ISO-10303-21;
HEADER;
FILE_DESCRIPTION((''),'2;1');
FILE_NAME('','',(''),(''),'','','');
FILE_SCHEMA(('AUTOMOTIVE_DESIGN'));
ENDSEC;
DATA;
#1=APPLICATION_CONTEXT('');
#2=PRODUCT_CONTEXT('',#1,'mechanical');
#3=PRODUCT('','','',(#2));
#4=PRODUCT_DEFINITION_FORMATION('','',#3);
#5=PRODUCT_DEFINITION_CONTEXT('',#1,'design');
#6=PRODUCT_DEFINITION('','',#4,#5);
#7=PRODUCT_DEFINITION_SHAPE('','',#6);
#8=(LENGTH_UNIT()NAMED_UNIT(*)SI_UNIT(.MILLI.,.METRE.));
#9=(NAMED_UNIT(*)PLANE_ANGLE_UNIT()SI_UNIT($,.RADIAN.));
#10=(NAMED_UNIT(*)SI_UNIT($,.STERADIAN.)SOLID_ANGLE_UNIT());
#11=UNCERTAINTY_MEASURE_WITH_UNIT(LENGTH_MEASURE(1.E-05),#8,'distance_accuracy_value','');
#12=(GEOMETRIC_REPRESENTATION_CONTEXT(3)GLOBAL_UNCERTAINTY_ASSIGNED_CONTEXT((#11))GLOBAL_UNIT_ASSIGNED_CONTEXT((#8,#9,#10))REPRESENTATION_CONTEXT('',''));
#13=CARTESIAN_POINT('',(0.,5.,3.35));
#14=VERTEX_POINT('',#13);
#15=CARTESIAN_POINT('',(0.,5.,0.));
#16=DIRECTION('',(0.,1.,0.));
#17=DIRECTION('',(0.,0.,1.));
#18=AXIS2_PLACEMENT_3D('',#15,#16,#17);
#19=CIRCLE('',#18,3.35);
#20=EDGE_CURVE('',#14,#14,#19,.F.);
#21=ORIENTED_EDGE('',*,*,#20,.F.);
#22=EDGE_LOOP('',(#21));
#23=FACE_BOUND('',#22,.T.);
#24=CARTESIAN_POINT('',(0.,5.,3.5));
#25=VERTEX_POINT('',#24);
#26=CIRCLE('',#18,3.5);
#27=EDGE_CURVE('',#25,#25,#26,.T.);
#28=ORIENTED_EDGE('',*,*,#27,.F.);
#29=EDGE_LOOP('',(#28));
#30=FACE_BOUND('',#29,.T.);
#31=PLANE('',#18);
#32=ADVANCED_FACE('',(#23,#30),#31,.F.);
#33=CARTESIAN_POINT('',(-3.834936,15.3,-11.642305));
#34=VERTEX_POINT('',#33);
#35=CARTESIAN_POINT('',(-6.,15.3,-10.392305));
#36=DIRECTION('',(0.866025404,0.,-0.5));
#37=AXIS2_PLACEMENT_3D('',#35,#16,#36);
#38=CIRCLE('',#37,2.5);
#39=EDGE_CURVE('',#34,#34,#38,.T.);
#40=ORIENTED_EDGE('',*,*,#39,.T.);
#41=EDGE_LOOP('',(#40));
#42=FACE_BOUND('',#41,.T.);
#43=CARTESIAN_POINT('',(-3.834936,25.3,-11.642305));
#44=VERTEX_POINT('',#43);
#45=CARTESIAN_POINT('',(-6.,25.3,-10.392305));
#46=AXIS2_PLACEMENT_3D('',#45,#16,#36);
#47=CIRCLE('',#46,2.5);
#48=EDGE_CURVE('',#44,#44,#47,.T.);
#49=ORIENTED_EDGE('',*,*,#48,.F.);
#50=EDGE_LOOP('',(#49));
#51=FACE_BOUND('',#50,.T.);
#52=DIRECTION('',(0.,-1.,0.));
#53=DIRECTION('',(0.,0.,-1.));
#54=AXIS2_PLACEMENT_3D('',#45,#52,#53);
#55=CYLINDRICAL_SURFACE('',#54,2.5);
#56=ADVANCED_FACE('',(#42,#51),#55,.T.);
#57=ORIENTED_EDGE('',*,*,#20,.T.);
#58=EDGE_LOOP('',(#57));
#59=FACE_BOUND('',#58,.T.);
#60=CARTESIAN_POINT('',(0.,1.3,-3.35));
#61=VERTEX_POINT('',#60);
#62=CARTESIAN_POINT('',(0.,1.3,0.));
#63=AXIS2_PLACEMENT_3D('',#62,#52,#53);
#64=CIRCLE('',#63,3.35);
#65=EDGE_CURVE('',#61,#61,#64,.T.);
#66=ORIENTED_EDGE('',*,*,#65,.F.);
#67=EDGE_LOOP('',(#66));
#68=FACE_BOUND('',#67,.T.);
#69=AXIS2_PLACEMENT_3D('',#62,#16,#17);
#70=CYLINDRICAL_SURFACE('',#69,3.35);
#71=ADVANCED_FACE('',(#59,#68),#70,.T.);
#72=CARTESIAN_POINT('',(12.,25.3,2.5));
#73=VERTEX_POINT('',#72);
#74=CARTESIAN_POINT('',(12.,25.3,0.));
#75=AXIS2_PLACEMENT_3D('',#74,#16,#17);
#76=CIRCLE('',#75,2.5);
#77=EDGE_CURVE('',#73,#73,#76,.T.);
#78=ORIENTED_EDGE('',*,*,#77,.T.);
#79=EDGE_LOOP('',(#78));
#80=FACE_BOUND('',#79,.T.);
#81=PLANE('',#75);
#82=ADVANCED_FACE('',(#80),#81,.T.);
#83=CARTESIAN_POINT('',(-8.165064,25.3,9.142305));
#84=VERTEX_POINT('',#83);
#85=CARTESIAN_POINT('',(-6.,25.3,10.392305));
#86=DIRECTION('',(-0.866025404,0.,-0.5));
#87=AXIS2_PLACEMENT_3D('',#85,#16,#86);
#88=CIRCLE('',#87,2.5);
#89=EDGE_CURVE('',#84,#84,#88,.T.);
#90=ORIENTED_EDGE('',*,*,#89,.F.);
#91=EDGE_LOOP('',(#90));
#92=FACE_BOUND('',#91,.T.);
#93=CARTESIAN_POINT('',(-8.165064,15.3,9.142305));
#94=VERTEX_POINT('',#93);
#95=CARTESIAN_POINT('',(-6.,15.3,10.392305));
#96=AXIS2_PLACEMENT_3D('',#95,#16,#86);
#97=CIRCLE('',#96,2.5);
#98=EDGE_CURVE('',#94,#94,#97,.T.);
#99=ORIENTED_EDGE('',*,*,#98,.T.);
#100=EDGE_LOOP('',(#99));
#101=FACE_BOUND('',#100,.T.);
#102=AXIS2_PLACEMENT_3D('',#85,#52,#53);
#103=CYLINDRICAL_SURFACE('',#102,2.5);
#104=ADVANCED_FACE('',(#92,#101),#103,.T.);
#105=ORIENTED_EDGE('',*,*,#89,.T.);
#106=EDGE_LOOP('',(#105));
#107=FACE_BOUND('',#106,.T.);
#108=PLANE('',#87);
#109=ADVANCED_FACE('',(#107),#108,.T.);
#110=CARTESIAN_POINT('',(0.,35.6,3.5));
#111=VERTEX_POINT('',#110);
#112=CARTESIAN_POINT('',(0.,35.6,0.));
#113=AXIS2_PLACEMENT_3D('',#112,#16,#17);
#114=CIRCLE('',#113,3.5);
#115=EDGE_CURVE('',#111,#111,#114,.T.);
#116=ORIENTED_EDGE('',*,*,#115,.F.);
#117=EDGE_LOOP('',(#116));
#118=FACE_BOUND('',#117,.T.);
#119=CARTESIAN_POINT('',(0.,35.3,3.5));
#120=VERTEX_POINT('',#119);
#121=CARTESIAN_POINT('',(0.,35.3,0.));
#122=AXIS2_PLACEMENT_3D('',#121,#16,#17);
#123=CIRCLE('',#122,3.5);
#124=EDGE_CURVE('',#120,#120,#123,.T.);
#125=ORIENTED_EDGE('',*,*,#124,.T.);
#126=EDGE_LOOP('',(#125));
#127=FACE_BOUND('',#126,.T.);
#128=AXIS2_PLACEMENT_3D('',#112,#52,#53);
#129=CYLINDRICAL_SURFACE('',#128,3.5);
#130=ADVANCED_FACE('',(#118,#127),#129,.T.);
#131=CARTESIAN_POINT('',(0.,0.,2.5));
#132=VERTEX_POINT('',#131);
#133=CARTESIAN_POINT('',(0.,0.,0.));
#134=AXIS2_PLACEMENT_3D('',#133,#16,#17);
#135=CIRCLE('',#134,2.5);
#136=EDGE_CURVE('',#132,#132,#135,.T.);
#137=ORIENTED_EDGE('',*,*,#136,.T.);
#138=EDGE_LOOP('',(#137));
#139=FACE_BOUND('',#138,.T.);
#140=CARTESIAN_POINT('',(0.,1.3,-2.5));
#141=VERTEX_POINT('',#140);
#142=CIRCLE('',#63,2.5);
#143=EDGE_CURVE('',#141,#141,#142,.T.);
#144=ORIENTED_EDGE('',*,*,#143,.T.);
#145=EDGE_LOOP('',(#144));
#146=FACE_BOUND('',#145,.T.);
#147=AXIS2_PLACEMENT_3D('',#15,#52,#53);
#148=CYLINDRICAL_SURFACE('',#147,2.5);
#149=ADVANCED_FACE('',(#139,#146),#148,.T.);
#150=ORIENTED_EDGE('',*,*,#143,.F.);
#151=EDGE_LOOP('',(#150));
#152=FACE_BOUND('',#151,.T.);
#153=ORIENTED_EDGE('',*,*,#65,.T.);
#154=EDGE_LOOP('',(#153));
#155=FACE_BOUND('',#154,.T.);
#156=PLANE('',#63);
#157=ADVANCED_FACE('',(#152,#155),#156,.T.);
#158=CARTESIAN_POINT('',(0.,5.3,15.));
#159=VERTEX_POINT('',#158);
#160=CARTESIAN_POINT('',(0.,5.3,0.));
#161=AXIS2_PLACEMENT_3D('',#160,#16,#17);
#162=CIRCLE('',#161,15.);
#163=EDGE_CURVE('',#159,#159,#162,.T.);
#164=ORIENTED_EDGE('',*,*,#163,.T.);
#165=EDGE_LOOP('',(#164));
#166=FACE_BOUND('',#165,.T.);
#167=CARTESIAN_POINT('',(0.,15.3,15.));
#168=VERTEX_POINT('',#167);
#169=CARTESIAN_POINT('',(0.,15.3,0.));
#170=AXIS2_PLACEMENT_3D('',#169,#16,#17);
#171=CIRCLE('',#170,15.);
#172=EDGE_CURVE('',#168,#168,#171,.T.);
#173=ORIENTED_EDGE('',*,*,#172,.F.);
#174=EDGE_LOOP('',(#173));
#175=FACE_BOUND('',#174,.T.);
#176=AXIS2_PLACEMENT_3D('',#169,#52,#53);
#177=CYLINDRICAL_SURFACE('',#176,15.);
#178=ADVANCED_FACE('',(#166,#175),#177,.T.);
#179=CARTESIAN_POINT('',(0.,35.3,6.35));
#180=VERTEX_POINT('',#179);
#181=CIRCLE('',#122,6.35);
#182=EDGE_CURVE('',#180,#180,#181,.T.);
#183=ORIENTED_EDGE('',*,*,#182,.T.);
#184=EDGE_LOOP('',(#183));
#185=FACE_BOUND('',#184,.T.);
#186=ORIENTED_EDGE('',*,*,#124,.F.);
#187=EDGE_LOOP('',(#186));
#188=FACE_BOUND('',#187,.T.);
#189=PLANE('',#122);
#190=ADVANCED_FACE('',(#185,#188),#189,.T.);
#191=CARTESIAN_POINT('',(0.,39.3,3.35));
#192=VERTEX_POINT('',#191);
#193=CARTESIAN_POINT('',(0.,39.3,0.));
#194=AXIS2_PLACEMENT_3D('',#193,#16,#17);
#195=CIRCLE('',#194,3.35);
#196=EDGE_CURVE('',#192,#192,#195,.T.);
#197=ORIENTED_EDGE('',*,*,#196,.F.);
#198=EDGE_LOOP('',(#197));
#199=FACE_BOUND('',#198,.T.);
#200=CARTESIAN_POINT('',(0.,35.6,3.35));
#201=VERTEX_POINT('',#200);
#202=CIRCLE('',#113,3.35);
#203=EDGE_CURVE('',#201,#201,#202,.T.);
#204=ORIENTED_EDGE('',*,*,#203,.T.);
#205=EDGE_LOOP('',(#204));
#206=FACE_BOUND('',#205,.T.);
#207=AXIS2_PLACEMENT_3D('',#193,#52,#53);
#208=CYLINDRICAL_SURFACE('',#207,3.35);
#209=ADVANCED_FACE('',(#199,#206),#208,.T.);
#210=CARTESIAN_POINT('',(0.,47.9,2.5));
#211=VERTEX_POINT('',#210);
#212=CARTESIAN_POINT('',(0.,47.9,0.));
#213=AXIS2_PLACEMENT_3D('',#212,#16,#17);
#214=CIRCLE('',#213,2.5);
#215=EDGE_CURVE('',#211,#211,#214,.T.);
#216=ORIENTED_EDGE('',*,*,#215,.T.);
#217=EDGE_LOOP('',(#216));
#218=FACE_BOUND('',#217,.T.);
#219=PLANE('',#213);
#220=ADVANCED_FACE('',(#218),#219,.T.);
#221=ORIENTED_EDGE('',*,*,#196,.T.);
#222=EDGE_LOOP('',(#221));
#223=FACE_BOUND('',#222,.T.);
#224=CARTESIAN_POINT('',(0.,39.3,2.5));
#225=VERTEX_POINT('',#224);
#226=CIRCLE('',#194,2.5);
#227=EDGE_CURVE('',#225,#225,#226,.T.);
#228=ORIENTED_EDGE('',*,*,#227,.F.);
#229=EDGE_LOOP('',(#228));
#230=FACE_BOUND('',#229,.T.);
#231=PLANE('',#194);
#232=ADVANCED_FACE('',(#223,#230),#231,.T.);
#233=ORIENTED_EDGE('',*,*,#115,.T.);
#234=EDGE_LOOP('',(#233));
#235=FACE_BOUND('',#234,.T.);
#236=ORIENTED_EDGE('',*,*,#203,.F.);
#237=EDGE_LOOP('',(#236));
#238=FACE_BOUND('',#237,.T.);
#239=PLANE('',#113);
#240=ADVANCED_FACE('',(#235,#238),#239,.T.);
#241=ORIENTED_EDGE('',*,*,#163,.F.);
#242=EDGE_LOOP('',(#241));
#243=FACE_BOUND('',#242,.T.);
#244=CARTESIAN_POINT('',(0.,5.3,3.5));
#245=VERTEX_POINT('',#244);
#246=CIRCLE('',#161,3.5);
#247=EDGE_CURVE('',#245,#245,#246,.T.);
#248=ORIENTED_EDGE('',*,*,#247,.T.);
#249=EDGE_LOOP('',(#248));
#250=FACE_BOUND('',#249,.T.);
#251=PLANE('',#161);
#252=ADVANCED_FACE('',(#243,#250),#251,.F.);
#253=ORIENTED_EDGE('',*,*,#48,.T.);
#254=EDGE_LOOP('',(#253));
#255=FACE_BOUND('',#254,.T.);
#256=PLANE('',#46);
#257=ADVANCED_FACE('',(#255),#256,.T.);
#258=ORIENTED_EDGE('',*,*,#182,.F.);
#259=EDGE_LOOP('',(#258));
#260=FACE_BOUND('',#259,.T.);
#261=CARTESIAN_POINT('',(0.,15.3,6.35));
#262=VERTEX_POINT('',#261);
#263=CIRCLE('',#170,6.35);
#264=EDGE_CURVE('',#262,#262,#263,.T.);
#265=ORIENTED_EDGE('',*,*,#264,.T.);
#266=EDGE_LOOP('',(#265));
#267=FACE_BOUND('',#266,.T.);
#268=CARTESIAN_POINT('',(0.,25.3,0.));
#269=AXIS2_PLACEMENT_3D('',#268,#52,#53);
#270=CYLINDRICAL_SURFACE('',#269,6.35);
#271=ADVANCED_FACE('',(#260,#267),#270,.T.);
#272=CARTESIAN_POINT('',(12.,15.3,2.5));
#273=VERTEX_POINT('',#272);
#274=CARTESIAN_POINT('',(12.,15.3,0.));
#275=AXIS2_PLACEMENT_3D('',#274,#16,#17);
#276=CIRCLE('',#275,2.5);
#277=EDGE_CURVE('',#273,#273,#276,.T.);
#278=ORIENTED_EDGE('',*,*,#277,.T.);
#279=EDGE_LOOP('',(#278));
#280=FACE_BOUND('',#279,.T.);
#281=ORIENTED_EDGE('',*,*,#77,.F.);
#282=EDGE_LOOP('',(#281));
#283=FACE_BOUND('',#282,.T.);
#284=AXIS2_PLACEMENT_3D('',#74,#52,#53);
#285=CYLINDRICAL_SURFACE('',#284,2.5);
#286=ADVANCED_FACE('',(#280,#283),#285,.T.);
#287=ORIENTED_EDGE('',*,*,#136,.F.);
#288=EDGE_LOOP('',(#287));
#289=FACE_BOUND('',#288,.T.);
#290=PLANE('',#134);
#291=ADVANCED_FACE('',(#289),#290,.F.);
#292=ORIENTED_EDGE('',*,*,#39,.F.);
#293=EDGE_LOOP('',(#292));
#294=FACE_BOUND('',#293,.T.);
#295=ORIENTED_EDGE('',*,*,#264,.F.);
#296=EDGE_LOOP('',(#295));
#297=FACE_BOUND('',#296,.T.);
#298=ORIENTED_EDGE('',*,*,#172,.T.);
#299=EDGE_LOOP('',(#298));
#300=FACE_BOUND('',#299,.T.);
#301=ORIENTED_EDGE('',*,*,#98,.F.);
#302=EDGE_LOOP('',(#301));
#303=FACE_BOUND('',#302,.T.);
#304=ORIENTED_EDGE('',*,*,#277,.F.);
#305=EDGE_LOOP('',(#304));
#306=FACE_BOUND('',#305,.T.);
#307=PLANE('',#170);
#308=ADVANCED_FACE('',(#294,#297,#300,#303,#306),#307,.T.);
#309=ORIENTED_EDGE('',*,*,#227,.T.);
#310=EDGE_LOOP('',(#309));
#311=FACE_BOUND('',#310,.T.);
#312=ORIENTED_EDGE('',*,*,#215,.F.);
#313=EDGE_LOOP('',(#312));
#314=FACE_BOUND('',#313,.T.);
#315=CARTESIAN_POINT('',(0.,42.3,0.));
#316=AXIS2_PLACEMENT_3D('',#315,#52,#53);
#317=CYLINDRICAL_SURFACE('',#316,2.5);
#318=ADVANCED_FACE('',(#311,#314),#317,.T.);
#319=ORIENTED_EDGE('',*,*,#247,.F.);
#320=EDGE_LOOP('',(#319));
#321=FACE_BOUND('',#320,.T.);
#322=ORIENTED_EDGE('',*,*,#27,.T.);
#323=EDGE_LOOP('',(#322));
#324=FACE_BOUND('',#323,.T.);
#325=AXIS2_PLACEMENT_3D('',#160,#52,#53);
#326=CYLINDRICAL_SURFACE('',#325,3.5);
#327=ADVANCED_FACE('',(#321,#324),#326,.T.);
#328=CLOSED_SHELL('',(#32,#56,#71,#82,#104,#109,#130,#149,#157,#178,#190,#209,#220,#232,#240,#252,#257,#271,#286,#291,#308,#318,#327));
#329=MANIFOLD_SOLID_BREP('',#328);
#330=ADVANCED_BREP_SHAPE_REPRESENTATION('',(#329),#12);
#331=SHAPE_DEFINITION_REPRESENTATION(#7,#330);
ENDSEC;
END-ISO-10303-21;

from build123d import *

# Parameters (mm, degrees)
SKETCH_1_R               = 2.5
EXTRUDE_1_DEPTH          = 5
SKETCH_2_R               = 3.5
EXTRUDE_2_DEPTH          = 0.3
SKETCH_3_R               = 15
EXTRUDE_3_DEPTH          = 10
SKETCH_4_R               = 6.35
EXTRUDE_4_DEPTH          = 10
SKETCH_5_R               = 6.35
EXTRUDE_5_DEPTH          = 10
SKETCH_6_R               = 3.5
EXTRUDE_6_DEPTH          = 0.3
SKETCH_7_R               = 3.35
EXTRUDE_7_DEPTH          = 3.7
SKETCH_8_R               = 2.5
EXTRUDE_8_DEPTH          = 3
EXTRUDE_START            = 3.7
SKETCH_9_R               = 3.35
EXTRUDE_9_DEPTH          = 3.7
SKETCH_10_R              = 2.5
EXTRUDE_10_DEPTH         = 5.6
SKETCH_11_R              = 2.5
EXTRUDE_11_DEPTH         = 10
PATTERN_CIRCULAR_1_COUNT = 3


with BuildPart() as part:
    # 草图1 → 凸台-拉伸1 (new body)
    with BuildSketch(Plane(origin=(0, 0, 0), x_dir=(1, 0, 0), z_dir=(0, 1, 0))):
        with Locations(Location((0, 0, 0), (0, 0, 270))):
            Circle(SKETCH_1_R)
    extrude(amount=EXTRUDE_1_DEPTH)

    # 草图2 → 凸台-拉伸2 (add)
    with BuildSketch(Plane(origin=(0, 5, 0), x_dir=(1, 0, 0), z_dir=(0, 1, 0))):
        with Locations(Location((0, 0, 0), (0, 0, 270))):
            Circle(SKETCH_2_R)
    extrude(amount=EXTRUDE_2_DEPTH)

    # 草图3 → 凸台-拉伸3 (add)
    with BuildSketch(Plane(origin=(0, 5.3, 0), x_dir=(1, 0, 0), z_dir=(0, 1, 0))):
        with Locations(Location((0, 0, 0), (0, 0, 270))):
            Circle(SKETCH_3_R)
    extrude(amount=EXTRUDE_3_DEPTH)

    # 草图4 → 凸台-拉伸4 (add)
    with BuildSketch(Plane(origin=(0, 15.3, 0), x_dir=(1, 0, 0), z_dir=(0, 1, 0))):
        with Locations(Location((0, 0, 0), (0, 0, 270))):
            Circle(SKETCH_4_R)
    extrude(amount=EXTRUDE_4_DEPTH)

    # 草图5 → 凸台-拉伸5 (add)
    with BuildSketch(Plane(origin=(0, 25.3, 0), x_dir=(1, 0, 0), z_dir=(0, 1, 0))):
        with Locations(Location((0, 0, 0), (0, 0, 270))):
            Circle(SKETCH_5_R)
    extrude(amount=EXTRUDE_5_DEPTH)

    # 草图6 → 凸台-拉伸6 (add)
    with BuildSketch(Plane(origin=(0, 35.3, 0), x_dir=(1, 0, 0), z_dir=(0, 1, 0))):
        with Locations(Location((0, 0, 0), (0, 0, 270))):
            Circle(SKETCH_6_R)
    extrude(amount=EXTRUDE_6_DEPTH)

    # 草图7 → 凸台-拉伸7 (add)
    with BuildSketch(Plane(origin=(0, 35.6, 0), x_dir=(1, 0, 0), z_dir=(0, 1, 0))):
        with Locations(Location((0, 0, 0), (0, 0, 270))):
            Circle(SKETCH_7_R)
    extrude(amount=EXTRUDE_7_DEPTH)

    # 草图8 → 凸台-拉伸8 (add)
    with BuildSketch(Plane(origin=(0, 39.3, 0), x_dir=(1, 0, 0), z_dir=(0, 1, 0))):
        with Locations(Location((0, 0, 0), (0, 0, 270))):
            Circle(SKETCH_8_R)
    extrude(amount=EXTRUDE_8_DEPTH)

    # 草图9 → 凸台-拉伸9 (add)
    with BuildSketch(Plane(origin=(0, 5, 0), x_dir=(-1, 0, 0), z_dir=(0, -1, 0)).offset(EXTRUDE_START)):
        with Locations(Location((0, 0, 0), (0, 0, 270))):
            Circle(SKETCH_9_R)
    extrude(amount=-EXTRUDE_9_DEPTH)

    # 草图10 → 凸台-拉伸10 (add)
    with BuildSketch(Plane(origin=(0, 42.3, 0), x_dir=(1, 0, 0), z_dir=(0, 1, 0))):
        with Locations(Location((0, 0, 0), (0, 0, 270))):
            Circle(SKETCH_10_R)
    extrude(amount=EXTRUDE_10_DEPTH)

    # 草图11 → 凸台-拉伸11 (add)
    with BuildSketch(Plane(origin=(0, 15.3, 0), x_dir=(1, 0, 0), z_dir=(0, 1, 0))):
        with Locations(Location((12, 0, 0), (0, 0, 270))):
            Circle(SKETCH_11_R)
    extrude_11 = extrude(amount=EXTRUDE_11_DEPTH)

    # 阵列(圆周)1: 凸台-拉伸11 ×3 about axis
    pattern_circular_1_axis = Axis((0, 0, 0), (0, 1, 0))
    for i in range(1, PATTERN_CIRCULAR_1_COUNT):
        add(extrude_11.rotate(pattern_circular_1_axis, i * 360 / PATTERN_CIRCULAR_1_COUNT))


solid = part.part
